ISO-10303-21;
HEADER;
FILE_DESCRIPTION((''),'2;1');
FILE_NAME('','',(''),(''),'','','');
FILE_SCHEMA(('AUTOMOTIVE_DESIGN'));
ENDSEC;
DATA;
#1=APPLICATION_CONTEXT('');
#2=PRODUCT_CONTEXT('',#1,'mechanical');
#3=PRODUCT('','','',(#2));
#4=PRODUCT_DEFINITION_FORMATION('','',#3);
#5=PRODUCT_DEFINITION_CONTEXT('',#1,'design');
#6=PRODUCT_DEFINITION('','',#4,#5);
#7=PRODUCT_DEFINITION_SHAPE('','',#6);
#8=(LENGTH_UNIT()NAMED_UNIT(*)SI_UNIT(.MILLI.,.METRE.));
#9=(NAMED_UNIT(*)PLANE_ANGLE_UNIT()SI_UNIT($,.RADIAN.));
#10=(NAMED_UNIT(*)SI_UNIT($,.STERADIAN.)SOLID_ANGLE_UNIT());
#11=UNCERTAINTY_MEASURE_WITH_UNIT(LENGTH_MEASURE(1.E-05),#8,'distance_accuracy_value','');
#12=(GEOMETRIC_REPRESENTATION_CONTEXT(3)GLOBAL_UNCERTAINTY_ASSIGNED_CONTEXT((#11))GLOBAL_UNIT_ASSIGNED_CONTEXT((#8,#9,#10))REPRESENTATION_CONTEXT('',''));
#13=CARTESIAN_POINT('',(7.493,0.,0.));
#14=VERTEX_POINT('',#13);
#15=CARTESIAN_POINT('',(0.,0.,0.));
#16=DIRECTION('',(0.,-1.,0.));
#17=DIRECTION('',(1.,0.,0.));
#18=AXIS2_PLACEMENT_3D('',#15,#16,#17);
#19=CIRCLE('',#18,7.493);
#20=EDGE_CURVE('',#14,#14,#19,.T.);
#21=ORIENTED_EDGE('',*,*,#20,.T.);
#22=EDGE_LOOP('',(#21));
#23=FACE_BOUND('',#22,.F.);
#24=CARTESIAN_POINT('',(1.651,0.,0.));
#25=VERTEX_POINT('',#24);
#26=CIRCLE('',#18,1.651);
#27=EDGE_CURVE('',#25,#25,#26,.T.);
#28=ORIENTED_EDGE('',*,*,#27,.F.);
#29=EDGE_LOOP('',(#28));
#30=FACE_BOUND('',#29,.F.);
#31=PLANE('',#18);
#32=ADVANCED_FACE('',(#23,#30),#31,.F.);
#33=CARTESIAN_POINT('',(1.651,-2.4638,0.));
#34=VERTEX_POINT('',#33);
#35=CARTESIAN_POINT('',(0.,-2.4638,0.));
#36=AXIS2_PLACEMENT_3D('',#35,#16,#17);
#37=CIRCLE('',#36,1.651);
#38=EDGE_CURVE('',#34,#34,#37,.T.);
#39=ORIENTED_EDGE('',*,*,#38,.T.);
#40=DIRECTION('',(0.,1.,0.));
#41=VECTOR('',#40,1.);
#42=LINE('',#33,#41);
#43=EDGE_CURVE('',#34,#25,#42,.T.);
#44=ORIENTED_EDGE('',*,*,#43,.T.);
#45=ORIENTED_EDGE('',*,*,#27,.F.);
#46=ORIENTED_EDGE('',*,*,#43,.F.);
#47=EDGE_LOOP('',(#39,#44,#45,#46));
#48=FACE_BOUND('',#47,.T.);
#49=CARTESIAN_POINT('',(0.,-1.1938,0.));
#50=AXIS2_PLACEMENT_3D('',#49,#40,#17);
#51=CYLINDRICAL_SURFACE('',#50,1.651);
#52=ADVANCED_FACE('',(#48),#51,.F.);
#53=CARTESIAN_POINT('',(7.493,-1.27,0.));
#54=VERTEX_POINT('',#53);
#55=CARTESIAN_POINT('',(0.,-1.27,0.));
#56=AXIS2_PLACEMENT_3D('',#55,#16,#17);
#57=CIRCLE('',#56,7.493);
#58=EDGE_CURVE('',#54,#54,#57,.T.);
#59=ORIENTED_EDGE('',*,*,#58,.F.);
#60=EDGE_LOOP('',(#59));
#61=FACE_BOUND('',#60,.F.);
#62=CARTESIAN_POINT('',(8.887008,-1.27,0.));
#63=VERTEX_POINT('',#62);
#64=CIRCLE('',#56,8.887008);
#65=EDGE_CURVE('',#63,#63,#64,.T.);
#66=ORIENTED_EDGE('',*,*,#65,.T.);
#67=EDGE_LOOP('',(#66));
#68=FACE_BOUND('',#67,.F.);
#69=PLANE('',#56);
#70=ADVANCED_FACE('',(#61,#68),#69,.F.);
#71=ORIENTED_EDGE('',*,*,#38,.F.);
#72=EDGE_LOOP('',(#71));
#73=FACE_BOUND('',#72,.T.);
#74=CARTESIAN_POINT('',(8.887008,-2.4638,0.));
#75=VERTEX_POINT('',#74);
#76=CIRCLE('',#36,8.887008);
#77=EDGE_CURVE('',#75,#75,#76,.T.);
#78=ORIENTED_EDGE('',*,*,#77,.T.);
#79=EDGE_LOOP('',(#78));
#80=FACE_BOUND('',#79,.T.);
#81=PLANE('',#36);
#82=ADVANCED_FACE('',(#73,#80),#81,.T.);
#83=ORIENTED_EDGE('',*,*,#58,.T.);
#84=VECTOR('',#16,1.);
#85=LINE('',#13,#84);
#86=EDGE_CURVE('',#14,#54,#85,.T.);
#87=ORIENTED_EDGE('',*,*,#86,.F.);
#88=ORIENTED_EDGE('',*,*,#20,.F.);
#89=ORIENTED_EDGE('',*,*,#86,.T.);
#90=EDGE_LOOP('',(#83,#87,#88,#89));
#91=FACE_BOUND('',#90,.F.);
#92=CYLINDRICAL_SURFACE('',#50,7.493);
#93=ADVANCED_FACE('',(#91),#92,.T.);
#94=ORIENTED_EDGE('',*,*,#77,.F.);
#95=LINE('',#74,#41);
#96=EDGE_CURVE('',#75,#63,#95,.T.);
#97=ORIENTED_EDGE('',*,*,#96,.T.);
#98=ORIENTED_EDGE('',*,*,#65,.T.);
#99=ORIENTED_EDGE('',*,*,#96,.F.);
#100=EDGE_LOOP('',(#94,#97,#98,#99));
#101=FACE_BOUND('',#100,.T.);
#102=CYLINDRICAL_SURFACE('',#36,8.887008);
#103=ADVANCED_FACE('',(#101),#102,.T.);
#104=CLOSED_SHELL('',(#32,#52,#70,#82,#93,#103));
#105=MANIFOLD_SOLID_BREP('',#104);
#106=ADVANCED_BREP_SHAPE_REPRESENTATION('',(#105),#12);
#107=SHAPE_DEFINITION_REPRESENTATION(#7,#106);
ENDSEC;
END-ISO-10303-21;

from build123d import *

# Parameters (mm, degrees)
F0_R     = 7.493
F0_R_2   = 1.651
F1_DEPTH = 1.1938
F2_DEPTH = 1.27
F3_R     = 8.8870084673
F3_R_2   = 7.493
F4_DEPTH = 1.1938


with BuildPart() as f1:
    # F0 (on Front) → F1 (new body)
    with BuildSketch(Plane.XZ):
        Circle(F0_R)
        Circle(F0_R_2, mode=Mode.SUBTRACT)
    extrude(amount=F1_DEPTH)

    # F2 (add): a face of the model
    f2_faces = [f1.faces().sort_by_distance(p)[0] for p in [
        (-7.2810659555, -1.1938, 0),
    ]]
    extrude(f2_faces, amount=F2_DEPTH)

    # F3 (on face) → F4 (join)
    with BuildSketch(Plane.XZ.offset(2.4638)):
        Circle(F3_R)
        Circle(F3_R_2, mode=Mode.SUBTRACT)
    extrude(amount=-F4_DEPTH)


solid = f1.part
